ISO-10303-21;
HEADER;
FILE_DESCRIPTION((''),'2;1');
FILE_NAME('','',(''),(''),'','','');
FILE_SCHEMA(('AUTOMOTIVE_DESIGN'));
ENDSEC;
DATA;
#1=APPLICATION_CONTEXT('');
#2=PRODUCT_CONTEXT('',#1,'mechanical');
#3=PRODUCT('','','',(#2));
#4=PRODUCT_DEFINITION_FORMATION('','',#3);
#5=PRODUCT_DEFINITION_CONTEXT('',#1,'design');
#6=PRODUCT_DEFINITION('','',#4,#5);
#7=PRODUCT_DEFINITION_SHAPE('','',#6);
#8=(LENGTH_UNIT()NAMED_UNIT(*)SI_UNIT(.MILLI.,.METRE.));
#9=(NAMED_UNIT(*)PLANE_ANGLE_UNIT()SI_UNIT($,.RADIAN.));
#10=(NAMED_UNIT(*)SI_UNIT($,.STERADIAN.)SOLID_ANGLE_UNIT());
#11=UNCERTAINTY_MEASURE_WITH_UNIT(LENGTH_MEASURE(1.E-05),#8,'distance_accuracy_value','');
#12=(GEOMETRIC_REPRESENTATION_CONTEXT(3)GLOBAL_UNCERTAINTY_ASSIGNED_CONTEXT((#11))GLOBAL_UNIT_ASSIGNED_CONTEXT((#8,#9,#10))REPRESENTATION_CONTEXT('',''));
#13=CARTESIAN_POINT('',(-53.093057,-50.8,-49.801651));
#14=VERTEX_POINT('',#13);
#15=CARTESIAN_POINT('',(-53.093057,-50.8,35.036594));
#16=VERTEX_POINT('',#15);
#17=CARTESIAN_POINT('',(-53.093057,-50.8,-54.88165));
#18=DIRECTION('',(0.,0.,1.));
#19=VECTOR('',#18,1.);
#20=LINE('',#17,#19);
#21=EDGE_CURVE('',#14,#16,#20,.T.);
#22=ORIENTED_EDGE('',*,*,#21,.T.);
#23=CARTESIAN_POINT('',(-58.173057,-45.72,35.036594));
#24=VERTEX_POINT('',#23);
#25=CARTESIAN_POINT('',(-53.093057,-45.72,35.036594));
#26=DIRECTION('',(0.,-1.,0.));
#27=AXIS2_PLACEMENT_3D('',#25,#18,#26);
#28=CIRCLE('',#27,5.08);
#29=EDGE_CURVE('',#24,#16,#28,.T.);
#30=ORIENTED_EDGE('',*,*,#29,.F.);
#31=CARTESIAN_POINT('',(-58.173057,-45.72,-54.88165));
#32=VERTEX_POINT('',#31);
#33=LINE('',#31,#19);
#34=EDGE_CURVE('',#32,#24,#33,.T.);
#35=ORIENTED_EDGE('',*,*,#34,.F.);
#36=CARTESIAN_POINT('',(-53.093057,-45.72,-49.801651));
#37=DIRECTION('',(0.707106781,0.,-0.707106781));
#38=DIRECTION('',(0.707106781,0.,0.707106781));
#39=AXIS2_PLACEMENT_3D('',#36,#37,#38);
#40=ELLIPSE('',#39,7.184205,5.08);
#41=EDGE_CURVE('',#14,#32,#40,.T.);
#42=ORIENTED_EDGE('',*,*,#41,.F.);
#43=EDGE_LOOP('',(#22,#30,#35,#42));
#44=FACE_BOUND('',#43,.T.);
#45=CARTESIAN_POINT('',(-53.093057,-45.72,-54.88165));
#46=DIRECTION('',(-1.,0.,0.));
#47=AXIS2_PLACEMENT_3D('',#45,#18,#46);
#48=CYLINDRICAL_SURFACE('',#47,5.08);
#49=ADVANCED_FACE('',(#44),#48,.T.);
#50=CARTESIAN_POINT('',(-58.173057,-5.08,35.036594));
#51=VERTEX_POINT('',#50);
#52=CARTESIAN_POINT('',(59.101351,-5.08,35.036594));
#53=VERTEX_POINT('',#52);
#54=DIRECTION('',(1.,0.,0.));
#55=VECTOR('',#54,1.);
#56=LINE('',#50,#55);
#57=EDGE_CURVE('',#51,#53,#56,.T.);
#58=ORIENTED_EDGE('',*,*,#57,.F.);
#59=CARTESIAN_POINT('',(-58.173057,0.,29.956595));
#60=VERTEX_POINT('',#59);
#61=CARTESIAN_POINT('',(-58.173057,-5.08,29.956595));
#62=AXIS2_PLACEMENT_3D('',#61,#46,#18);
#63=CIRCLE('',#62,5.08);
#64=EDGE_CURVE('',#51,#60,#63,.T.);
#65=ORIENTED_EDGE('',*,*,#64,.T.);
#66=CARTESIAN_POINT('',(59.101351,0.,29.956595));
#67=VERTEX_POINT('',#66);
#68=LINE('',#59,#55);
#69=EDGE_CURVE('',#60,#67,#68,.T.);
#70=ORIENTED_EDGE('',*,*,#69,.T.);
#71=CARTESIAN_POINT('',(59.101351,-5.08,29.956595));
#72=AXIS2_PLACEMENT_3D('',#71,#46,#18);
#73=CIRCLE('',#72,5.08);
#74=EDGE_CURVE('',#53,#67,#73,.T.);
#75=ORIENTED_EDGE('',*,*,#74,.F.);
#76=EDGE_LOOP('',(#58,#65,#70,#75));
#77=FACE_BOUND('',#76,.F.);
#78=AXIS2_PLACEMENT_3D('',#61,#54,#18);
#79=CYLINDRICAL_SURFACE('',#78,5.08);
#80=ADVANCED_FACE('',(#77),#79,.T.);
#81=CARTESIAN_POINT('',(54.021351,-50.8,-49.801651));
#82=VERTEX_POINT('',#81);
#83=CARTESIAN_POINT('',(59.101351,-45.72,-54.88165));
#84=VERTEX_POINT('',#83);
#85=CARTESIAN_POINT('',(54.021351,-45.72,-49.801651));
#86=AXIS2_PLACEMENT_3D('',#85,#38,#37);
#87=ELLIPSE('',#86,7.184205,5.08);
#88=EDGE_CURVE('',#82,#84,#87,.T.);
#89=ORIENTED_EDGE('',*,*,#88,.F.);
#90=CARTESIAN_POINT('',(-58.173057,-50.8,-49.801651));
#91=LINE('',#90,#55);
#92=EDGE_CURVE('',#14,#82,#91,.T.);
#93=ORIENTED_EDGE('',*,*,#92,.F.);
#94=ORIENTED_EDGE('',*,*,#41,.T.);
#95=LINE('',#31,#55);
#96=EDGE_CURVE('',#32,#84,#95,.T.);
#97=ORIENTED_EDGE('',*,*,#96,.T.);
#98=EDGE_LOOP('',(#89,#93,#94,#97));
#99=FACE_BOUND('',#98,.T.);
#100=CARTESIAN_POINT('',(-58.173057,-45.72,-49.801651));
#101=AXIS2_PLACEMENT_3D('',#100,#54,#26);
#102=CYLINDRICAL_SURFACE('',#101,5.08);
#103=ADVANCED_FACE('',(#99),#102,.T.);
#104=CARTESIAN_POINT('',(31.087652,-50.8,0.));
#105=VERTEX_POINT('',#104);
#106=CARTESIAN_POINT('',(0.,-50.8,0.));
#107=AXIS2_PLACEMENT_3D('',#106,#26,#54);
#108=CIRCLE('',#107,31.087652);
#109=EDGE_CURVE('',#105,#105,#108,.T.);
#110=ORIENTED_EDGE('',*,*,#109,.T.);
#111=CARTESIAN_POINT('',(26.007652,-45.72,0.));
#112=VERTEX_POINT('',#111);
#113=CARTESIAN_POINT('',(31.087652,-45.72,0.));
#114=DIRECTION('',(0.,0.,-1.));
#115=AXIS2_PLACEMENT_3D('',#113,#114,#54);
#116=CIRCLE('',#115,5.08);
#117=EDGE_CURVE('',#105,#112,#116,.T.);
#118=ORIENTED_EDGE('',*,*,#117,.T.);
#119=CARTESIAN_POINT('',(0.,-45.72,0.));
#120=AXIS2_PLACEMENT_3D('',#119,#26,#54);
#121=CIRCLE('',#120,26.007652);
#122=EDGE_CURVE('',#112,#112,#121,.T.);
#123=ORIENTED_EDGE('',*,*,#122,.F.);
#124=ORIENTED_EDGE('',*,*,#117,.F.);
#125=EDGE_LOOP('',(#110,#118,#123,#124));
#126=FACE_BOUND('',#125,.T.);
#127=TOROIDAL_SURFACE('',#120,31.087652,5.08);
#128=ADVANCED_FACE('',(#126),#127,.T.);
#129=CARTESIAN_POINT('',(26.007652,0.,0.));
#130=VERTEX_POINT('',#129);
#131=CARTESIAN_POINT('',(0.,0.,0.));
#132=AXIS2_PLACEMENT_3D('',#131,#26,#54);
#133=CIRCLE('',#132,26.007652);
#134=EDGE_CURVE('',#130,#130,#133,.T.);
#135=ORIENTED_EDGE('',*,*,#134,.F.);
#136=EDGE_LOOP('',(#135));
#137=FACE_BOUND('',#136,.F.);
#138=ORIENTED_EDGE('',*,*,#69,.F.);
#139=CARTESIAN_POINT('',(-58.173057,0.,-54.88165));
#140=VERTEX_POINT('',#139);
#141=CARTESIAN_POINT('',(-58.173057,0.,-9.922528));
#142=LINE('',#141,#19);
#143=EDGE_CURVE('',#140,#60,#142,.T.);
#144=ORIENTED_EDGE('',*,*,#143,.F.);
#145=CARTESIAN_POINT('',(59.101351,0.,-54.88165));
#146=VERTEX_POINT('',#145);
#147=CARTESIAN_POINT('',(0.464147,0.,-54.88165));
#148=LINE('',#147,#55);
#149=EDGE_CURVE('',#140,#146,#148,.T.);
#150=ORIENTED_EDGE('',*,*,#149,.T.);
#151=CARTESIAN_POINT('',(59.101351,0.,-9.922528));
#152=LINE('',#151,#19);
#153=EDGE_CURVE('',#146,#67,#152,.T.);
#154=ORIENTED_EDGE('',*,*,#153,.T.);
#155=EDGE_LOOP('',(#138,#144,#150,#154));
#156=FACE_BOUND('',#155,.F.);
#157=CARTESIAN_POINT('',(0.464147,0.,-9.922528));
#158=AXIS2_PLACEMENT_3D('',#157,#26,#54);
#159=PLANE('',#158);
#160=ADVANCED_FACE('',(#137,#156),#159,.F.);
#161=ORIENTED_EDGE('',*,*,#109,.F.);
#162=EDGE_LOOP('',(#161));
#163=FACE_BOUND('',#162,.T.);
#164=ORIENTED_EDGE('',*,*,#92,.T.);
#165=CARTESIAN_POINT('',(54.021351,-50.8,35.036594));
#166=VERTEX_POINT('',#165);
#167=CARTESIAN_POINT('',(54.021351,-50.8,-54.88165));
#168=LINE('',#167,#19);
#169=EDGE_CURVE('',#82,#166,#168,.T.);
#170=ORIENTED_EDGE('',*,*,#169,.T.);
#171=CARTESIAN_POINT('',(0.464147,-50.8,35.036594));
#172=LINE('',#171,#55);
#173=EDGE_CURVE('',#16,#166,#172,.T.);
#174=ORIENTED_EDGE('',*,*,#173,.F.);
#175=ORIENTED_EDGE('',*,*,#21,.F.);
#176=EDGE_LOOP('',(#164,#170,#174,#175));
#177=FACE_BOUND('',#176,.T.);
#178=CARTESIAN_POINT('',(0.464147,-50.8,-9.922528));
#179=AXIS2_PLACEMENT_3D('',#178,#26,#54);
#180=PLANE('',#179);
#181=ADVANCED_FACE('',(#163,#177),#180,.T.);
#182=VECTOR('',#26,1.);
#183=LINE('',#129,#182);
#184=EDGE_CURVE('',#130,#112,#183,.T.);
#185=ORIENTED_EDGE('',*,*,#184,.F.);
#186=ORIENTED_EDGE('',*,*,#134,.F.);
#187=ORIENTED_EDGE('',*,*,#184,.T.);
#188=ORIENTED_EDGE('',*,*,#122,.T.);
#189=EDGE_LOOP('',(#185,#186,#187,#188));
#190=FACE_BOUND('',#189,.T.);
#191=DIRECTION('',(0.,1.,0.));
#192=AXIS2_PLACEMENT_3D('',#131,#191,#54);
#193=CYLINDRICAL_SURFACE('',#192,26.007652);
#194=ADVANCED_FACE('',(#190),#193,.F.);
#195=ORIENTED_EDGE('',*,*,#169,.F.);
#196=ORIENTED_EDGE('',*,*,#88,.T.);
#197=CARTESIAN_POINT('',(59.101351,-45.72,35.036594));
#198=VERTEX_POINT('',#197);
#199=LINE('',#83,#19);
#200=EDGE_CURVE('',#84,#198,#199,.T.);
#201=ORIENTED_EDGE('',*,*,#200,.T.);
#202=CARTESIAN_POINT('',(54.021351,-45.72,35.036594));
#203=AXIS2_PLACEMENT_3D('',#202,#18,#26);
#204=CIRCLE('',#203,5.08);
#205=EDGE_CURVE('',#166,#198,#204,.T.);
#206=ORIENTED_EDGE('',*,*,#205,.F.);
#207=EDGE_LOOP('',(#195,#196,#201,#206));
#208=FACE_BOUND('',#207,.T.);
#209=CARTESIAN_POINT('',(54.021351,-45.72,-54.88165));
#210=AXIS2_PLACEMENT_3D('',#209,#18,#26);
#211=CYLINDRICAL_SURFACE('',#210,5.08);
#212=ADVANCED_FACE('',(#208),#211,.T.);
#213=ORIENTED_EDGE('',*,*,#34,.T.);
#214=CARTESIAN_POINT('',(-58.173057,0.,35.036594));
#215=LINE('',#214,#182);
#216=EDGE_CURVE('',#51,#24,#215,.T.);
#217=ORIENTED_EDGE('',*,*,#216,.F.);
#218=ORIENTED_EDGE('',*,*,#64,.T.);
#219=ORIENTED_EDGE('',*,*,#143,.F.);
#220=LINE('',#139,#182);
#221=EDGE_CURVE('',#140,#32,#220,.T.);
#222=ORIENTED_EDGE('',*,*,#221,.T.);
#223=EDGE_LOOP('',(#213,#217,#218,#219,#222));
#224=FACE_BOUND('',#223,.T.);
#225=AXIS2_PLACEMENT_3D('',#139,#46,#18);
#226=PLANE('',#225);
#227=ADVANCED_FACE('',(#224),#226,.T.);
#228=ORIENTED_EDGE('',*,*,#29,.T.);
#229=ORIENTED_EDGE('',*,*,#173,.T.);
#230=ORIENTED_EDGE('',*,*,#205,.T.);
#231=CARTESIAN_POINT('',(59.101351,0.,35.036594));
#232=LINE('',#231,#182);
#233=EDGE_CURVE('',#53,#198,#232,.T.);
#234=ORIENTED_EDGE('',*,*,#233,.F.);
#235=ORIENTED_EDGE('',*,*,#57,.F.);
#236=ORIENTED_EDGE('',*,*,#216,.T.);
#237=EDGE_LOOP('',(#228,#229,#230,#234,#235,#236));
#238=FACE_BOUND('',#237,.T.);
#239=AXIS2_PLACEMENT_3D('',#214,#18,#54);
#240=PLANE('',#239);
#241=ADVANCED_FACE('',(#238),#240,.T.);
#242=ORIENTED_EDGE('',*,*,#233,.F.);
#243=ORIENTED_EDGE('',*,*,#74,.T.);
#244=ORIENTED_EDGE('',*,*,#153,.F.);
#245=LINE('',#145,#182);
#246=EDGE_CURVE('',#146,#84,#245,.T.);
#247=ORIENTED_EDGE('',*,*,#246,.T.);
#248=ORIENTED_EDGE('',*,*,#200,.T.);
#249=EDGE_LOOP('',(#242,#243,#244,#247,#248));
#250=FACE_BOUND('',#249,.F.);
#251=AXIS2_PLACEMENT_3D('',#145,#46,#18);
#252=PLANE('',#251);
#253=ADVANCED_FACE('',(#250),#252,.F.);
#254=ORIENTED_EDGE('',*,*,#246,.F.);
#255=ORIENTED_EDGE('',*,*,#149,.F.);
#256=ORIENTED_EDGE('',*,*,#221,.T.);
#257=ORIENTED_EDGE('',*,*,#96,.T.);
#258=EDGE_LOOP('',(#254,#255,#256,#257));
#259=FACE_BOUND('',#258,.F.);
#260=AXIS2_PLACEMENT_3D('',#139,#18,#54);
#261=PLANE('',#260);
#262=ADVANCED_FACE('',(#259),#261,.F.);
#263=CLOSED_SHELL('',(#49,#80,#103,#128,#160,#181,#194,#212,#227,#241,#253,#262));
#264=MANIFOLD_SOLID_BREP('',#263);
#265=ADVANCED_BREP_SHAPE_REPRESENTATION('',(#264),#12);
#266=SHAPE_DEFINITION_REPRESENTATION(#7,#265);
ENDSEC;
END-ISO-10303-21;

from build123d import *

# Parameters (mm, degrees)
F0_W     = 117.274408
F0_H     = 89.918245
F0_R     = 26.007652
F1_DEPTH = 50.8
F2_R     = 5.08
F3_R     = 5.08
F4_R     = 5.08


with BuildPart() as f1:
    # F0 (on Front) → F1 (new body)
    with BuildSketch(Plane.XZ):
        with Locations((0.464147, -9.922528)):
            Rectangle(F0_W, F0_H)
        Circle(F0_R, mode=Mode.SUBTRACT)
    extrude(amount=F1_DEPTH)

    # F2
    f2_edges = [f1.edges().sort_by_distance(p)[0] for p in [
        (0.464147, 0, 35.036594),
    ]]
    fillet(f2_edges, radius=F2_R)

    # F3
    f3_edges = [f1.edges().sort_by_distance(p)[0] for p in [
        (0.464147, -50.8, -54.881651),
        (-58.173057, -50.8, -9.922529),
        (59.101351, -50.8, -9.922529),
    ]]
    fillet(f3_edges, radius=F3_R)

    # F4
    f4_edges = [f1.edges().sort_by_distance(p)[0] for p in [
        (-26.007652, -50.8, 0),
    ]]
    fillet(f4_edges, radius=F4_R)


solid = f1.part
